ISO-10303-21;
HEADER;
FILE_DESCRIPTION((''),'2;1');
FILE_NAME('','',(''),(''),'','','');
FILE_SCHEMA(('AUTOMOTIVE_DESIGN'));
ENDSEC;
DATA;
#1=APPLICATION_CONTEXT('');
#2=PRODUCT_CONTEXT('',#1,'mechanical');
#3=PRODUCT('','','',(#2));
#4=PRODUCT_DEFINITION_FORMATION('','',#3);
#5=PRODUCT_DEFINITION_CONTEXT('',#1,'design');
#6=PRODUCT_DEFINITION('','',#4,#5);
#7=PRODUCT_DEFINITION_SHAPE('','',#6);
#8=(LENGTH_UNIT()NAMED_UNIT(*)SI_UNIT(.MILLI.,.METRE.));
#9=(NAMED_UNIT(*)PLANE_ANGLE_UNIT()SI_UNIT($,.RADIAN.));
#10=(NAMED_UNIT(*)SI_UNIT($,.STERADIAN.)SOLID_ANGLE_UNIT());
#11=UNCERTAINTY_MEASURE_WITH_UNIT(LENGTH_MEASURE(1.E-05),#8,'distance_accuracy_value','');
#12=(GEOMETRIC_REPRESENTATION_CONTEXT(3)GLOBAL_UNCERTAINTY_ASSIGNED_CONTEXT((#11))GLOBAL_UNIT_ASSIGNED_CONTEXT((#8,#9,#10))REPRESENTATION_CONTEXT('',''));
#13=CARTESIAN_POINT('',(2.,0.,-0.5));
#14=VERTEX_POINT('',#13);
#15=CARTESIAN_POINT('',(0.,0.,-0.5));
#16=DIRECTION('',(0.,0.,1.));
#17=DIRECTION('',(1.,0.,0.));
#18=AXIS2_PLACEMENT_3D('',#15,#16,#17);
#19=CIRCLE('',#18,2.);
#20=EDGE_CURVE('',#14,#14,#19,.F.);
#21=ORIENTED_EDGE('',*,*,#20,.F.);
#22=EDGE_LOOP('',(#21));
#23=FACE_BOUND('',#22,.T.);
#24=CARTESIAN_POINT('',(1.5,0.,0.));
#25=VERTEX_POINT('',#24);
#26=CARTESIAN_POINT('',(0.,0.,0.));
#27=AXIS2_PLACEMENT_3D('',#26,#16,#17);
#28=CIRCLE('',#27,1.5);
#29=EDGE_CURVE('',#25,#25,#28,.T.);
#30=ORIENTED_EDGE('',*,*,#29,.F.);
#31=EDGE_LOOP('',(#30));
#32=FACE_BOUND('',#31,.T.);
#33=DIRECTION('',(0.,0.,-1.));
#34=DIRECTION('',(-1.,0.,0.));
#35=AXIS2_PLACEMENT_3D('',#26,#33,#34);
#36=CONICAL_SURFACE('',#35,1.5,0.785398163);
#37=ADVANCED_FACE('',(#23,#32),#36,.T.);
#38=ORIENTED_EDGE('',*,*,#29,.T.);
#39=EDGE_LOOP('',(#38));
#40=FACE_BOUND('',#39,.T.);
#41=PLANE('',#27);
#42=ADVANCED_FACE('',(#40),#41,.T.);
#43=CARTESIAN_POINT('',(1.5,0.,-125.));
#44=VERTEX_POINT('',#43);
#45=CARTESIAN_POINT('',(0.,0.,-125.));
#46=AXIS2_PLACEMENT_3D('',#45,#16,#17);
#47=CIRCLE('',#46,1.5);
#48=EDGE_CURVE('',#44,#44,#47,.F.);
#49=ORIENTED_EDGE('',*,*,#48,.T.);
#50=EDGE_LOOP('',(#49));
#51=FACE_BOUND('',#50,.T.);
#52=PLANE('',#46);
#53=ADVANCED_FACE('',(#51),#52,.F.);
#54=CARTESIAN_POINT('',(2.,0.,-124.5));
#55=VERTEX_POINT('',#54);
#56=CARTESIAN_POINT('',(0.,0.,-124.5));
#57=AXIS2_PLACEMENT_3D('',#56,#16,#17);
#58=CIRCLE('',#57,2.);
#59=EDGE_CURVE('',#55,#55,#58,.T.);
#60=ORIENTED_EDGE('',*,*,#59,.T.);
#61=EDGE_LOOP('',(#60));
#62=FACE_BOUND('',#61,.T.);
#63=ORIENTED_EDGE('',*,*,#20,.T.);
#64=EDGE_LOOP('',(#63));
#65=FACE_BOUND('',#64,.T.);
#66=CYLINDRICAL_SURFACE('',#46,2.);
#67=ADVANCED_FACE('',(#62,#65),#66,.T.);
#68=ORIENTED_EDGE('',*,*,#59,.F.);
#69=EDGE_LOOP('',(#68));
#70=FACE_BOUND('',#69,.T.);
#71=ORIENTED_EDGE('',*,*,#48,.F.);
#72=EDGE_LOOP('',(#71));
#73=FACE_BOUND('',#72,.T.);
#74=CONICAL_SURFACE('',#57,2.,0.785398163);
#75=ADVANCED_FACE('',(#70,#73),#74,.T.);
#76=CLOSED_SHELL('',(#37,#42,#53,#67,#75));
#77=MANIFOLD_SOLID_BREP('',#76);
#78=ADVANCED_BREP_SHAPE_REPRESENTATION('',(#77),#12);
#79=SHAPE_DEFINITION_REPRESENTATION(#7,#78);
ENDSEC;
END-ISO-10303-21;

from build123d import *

# Parameters (mm, degrees)
SKETCH_1_R      = 2
EXTRUDE_1_DEPTH = 125
CHAMFER_1_SIZE  = 0.5


with BuildPart() as part:
    # 草图1 → 凸台-拉伸1 (new body)
    with BuildSketch(Plane.XY):
        Circle(SKETCH_1_R)
    extrude(amount=-EXTRUDE_1_DEPTH)

    # 倒角1
    chamfer_1_edges = [part.edges().sort_by_distance(p)[0] for p in [
        (-2, 0, 0),
        (-2, 0, -125),
    ]]
    chamfer(chamfer_1_edges, length=CHAMFER_1_SIZE)


solid = part.part
